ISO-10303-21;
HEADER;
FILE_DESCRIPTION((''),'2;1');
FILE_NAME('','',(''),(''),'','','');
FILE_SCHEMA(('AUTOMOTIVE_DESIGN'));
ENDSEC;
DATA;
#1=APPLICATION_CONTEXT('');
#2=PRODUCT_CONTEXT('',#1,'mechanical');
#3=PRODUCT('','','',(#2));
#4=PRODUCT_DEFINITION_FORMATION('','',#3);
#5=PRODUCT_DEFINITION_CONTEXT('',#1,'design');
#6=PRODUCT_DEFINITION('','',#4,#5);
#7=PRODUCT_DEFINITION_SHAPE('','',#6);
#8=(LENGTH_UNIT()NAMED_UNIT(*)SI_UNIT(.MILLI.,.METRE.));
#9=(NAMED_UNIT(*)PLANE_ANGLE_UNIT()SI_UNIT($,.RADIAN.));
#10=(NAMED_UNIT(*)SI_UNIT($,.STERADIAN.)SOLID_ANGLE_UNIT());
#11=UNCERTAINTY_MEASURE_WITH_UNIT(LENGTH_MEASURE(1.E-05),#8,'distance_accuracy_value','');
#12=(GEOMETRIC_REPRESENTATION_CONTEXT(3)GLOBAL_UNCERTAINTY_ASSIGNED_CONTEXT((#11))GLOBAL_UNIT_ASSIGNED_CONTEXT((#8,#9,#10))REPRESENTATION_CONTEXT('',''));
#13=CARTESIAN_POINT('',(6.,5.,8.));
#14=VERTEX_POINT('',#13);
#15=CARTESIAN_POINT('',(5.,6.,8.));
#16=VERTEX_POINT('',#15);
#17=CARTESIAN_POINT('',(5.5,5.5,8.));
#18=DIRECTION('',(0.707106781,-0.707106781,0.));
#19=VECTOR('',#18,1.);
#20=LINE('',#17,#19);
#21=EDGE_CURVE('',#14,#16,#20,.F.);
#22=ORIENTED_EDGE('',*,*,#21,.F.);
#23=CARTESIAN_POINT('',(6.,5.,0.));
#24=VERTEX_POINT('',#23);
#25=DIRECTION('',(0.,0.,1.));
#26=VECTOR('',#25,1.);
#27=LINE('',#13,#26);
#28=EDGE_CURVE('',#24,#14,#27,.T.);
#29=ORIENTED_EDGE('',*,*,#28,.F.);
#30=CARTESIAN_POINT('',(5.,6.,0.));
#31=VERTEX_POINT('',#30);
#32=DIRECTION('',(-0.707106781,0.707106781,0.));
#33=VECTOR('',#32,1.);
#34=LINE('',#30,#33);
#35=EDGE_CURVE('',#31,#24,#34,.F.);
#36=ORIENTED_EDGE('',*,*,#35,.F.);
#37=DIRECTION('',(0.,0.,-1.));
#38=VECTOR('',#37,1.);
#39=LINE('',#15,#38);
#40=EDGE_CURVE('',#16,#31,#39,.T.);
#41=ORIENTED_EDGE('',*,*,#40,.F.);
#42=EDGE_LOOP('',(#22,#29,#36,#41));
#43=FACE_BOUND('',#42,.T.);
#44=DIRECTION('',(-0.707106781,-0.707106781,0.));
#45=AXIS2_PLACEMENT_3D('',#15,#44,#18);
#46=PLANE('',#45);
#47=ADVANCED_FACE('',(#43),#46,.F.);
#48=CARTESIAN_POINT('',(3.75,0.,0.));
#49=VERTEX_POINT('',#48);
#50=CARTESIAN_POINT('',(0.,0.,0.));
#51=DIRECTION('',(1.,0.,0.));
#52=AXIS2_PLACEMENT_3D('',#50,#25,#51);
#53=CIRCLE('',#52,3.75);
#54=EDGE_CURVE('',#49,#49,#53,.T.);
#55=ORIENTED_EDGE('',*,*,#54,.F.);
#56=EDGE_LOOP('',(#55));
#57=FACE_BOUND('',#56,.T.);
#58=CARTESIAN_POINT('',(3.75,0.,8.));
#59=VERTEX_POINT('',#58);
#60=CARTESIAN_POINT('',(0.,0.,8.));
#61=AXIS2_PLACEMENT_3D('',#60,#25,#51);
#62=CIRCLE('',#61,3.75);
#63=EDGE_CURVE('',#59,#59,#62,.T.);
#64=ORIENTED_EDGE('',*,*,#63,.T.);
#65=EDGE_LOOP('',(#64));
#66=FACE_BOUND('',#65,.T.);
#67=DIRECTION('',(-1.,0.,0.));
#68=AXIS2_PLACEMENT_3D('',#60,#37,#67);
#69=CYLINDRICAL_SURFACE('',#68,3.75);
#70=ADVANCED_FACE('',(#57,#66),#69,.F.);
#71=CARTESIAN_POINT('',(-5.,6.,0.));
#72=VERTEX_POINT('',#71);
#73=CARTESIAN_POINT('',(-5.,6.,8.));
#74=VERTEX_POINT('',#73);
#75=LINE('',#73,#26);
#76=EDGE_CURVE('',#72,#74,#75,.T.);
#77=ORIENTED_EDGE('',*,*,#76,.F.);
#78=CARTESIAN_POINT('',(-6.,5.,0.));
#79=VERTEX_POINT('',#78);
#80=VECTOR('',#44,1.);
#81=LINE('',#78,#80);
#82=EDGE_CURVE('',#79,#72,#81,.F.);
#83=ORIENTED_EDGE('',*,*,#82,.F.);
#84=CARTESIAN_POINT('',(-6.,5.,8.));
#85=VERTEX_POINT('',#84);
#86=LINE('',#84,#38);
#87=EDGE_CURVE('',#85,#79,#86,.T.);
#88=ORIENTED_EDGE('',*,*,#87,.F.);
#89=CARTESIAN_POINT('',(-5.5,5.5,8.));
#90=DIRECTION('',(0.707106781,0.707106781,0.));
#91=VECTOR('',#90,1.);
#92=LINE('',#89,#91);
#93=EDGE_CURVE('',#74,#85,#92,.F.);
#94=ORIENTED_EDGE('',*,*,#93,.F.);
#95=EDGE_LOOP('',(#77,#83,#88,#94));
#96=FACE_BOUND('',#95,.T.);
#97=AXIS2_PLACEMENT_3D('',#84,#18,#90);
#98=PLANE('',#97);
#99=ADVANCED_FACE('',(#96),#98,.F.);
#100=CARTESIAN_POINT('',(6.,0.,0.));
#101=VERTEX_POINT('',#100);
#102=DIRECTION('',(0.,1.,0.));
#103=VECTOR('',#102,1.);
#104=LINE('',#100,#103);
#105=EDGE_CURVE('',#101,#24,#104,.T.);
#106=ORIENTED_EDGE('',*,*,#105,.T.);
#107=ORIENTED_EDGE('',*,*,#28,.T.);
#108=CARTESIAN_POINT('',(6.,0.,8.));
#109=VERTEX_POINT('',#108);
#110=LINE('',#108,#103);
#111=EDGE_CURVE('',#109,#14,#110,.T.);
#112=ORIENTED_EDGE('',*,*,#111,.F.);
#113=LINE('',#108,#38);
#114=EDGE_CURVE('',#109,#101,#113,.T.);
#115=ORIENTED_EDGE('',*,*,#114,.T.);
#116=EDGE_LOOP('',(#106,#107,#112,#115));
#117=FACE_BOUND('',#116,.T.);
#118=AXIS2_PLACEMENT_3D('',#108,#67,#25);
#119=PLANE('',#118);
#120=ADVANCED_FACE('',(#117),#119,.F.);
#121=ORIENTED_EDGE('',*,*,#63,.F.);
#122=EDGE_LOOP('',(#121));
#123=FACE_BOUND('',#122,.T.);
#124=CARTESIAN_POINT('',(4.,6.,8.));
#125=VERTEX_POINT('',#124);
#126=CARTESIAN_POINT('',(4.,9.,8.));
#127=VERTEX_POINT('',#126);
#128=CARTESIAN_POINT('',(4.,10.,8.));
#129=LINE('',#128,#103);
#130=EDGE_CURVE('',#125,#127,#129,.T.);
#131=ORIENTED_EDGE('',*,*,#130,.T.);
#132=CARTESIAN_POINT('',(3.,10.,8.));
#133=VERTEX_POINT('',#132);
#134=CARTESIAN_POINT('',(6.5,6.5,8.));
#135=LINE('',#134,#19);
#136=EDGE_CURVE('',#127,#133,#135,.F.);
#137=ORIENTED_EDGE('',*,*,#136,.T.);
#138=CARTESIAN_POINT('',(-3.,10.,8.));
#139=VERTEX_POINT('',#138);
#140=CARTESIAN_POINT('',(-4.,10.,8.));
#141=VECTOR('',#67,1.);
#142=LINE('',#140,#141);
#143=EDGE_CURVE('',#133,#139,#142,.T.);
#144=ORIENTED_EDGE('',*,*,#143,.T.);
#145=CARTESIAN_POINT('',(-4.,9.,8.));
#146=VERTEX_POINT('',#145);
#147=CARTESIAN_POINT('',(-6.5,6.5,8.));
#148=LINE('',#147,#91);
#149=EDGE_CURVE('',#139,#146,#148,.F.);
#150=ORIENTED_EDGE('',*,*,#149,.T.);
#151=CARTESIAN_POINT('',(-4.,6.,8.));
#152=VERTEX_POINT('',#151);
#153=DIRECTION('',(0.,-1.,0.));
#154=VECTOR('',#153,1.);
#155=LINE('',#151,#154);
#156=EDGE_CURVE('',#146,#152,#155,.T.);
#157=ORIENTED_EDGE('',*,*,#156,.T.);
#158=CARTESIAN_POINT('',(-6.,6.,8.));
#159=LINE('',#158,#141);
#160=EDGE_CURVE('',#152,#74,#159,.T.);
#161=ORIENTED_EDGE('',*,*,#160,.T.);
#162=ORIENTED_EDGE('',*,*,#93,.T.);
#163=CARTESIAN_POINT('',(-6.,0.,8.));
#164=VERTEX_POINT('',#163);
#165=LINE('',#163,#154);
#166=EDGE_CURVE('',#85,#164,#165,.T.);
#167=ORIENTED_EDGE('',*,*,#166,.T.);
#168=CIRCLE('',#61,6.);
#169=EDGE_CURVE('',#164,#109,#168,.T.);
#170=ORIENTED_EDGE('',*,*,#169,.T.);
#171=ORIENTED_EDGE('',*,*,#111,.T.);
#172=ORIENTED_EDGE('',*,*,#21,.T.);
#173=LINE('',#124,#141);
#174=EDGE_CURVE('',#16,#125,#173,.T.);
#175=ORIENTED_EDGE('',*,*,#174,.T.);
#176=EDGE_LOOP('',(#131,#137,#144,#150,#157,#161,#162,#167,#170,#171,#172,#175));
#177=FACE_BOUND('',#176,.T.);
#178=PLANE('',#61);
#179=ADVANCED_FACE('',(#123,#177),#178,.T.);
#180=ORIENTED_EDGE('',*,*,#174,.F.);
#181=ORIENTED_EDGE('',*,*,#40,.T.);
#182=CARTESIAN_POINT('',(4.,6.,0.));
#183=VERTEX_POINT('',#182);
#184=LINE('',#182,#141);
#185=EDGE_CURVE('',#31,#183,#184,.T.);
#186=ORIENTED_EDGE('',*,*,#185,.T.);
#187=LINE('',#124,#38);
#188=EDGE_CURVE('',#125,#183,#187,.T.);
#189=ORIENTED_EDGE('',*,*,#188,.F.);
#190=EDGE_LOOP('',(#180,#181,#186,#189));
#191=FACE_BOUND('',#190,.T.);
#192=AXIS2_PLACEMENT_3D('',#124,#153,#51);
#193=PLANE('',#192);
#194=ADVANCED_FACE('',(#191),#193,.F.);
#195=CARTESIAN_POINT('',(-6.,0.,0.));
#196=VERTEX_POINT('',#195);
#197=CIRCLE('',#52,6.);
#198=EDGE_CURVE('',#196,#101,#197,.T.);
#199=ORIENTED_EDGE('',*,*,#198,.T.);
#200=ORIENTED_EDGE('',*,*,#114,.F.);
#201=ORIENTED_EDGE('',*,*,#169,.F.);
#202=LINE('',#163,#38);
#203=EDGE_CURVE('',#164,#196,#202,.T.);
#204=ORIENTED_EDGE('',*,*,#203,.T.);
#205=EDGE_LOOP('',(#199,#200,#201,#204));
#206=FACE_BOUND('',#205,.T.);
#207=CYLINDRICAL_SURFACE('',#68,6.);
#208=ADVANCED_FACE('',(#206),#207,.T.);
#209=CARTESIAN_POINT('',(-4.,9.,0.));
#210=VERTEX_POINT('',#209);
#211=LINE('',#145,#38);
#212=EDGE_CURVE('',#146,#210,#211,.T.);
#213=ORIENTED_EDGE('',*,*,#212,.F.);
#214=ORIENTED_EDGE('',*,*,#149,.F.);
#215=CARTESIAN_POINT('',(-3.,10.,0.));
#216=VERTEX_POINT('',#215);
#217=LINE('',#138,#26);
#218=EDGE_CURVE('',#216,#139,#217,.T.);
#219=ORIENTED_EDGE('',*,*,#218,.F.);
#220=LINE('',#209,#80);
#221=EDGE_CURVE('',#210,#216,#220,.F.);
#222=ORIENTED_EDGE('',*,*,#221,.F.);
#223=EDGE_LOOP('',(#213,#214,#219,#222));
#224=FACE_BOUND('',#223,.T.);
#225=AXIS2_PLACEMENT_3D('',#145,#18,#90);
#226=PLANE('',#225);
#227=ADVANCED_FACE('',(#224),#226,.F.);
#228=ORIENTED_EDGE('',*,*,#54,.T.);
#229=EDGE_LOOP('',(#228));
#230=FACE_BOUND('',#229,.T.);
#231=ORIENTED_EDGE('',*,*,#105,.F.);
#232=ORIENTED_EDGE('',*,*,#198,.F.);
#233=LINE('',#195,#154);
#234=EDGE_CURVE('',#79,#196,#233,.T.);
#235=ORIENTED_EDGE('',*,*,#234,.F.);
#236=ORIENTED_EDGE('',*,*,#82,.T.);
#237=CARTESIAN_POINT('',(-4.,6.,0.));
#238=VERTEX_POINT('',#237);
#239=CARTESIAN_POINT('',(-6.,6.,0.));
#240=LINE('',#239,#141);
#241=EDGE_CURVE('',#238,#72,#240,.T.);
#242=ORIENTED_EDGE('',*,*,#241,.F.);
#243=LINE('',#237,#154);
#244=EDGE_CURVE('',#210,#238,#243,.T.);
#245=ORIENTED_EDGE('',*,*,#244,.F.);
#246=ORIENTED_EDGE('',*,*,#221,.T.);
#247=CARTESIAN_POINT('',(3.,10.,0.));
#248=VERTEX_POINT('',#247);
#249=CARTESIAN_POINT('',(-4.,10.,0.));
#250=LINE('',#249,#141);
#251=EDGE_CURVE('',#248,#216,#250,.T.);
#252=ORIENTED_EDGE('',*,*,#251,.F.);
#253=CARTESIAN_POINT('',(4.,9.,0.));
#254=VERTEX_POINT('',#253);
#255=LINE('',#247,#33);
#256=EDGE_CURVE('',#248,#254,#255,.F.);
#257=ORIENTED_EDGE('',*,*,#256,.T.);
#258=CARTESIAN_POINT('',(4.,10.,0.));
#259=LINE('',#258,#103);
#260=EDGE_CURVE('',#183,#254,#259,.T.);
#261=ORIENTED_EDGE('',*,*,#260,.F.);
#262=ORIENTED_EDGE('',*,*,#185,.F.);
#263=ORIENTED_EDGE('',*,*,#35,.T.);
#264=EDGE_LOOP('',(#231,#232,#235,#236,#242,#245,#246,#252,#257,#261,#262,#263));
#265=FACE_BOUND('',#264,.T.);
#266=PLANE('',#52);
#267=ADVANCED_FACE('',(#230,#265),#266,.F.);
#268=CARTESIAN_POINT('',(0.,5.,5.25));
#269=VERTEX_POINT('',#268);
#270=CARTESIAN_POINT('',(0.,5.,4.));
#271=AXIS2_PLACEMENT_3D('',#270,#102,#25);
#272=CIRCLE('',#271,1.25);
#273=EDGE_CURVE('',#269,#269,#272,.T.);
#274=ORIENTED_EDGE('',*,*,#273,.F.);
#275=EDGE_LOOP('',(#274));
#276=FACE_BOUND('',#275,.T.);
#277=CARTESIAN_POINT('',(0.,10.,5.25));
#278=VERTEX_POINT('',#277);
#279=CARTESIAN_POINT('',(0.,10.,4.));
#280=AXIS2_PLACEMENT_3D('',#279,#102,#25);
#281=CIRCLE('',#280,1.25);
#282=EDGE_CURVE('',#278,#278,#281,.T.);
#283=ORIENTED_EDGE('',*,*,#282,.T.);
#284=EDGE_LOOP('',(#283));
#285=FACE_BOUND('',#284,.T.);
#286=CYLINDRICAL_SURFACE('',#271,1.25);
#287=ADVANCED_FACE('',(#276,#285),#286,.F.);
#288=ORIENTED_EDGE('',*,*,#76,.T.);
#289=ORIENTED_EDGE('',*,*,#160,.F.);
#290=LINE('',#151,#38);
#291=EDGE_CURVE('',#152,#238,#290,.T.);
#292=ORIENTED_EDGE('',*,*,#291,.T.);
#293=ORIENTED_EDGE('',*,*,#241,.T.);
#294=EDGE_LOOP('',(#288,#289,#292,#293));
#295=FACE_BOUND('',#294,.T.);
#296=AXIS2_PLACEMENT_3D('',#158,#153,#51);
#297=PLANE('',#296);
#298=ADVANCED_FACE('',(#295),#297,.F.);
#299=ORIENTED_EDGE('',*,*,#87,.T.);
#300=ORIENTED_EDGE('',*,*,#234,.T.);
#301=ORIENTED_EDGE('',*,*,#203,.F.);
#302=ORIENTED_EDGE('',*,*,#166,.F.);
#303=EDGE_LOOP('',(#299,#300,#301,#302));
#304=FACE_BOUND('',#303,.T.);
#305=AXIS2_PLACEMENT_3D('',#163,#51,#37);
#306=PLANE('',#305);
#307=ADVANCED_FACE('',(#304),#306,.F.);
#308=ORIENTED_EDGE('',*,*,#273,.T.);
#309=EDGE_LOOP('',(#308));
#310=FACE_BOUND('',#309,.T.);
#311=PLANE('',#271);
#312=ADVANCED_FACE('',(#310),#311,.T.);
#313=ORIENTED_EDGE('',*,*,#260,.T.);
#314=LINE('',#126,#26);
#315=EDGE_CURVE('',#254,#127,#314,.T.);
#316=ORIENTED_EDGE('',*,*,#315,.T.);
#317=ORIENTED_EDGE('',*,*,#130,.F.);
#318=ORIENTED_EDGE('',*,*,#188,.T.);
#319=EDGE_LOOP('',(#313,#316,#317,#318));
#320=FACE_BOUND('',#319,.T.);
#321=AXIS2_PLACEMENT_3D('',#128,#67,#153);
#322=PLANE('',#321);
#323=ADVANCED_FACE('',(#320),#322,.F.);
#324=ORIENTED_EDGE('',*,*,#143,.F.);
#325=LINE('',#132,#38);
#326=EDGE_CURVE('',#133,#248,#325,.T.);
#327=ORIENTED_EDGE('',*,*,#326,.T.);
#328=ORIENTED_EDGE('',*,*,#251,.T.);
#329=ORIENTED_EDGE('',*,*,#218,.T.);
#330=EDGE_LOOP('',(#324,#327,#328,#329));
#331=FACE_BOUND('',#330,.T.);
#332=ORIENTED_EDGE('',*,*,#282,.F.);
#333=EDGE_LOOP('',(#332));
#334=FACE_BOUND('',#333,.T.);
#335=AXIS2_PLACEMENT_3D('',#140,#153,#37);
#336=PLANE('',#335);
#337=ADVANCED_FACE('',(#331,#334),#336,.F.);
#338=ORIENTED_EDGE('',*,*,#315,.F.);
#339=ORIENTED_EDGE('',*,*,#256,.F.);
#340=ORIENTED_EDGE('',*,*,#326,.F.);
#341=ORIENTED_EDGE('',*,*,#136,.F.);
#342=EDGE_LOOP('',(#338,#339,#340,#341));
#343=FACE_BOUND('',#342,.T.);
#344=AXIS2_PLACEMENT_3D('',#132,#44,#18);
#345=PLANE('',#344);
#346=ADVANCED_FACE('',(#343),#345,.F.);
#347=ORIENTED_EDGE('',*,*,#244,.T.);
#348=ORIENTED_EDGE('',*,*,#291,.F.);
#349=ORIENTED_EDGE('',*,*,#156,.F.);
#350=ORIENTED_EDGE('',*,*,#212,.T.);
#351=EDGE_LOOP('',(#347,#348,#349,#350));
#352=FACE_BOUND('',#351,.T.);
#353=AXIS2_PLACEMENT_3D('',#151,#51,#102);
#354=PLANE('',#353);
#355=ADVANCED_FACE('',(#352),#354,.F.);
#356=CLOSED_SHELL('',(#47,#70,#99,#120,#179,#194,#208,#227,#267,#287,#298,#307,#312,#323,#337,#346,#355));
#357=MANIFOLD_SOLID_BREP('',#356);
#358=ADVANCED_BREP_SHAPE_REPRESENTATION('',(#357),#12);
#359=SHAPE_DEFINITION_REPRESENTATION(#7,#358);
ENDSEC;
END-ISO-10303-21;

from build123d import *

# Parameters (mm, degrees)
SKETCH1_R           = 3.75
BOSS_EXTRUDE2_DEPTH = 8
SKETCH11_R          = 1.25
CUT_EXTRUDE5_DEPTH  = 5
CHAMFER1_SIZE       = 1


with BuildPart() as part:
    # Sketch1 → Boss-Extrude2 (new body)
    with BuildSketch(Plane.XY):
        with BuildLine():
            Line((-6, 0), (-6, 6))
            Line((-6, 6), (-4, 6))
            Line((-4, 6), (-4, 10))
            Line((-4, 10), (4, 10))
            Line((4, 10), (4, 6))
            Line((4, 6), (6, 6))
            Line((6, 6), (6, 0))
            ThreePointArc((6, 0), (0, -6), (-6, 0))
        make_face()
        Circle(SKETCH1_R, mode=Mode.SUBTRACT)
    extrude(amount=BOSS_EXTRUDE2_DEPTH)

    # Sketch11 → Cut-Extrude5 (cut)
    with BuildSketch(Plane(origin=(0, 10, 0), x_dir=(1, 0, 0), z_dir=(0, 1, 0))):
        with Locations((0, -4)):
            Circle(SKETCH11_R)
    extrude(amount=-CUT_EXTRUDE5_DEPTH, mode=Mode.SUBTRACT)

    # Chamfer1
    chamfer1_edges = [part.edges().sort_by_distance(p)[0] for p in [
        (-6, 6, 4),
        (6, 6, 4),
        (-4, 10, 4),
        (4, 10, 4),
    ]]
    chamfer(chamfer1_edges, length=CHAMFER1_SIZE)


solid = part.part
